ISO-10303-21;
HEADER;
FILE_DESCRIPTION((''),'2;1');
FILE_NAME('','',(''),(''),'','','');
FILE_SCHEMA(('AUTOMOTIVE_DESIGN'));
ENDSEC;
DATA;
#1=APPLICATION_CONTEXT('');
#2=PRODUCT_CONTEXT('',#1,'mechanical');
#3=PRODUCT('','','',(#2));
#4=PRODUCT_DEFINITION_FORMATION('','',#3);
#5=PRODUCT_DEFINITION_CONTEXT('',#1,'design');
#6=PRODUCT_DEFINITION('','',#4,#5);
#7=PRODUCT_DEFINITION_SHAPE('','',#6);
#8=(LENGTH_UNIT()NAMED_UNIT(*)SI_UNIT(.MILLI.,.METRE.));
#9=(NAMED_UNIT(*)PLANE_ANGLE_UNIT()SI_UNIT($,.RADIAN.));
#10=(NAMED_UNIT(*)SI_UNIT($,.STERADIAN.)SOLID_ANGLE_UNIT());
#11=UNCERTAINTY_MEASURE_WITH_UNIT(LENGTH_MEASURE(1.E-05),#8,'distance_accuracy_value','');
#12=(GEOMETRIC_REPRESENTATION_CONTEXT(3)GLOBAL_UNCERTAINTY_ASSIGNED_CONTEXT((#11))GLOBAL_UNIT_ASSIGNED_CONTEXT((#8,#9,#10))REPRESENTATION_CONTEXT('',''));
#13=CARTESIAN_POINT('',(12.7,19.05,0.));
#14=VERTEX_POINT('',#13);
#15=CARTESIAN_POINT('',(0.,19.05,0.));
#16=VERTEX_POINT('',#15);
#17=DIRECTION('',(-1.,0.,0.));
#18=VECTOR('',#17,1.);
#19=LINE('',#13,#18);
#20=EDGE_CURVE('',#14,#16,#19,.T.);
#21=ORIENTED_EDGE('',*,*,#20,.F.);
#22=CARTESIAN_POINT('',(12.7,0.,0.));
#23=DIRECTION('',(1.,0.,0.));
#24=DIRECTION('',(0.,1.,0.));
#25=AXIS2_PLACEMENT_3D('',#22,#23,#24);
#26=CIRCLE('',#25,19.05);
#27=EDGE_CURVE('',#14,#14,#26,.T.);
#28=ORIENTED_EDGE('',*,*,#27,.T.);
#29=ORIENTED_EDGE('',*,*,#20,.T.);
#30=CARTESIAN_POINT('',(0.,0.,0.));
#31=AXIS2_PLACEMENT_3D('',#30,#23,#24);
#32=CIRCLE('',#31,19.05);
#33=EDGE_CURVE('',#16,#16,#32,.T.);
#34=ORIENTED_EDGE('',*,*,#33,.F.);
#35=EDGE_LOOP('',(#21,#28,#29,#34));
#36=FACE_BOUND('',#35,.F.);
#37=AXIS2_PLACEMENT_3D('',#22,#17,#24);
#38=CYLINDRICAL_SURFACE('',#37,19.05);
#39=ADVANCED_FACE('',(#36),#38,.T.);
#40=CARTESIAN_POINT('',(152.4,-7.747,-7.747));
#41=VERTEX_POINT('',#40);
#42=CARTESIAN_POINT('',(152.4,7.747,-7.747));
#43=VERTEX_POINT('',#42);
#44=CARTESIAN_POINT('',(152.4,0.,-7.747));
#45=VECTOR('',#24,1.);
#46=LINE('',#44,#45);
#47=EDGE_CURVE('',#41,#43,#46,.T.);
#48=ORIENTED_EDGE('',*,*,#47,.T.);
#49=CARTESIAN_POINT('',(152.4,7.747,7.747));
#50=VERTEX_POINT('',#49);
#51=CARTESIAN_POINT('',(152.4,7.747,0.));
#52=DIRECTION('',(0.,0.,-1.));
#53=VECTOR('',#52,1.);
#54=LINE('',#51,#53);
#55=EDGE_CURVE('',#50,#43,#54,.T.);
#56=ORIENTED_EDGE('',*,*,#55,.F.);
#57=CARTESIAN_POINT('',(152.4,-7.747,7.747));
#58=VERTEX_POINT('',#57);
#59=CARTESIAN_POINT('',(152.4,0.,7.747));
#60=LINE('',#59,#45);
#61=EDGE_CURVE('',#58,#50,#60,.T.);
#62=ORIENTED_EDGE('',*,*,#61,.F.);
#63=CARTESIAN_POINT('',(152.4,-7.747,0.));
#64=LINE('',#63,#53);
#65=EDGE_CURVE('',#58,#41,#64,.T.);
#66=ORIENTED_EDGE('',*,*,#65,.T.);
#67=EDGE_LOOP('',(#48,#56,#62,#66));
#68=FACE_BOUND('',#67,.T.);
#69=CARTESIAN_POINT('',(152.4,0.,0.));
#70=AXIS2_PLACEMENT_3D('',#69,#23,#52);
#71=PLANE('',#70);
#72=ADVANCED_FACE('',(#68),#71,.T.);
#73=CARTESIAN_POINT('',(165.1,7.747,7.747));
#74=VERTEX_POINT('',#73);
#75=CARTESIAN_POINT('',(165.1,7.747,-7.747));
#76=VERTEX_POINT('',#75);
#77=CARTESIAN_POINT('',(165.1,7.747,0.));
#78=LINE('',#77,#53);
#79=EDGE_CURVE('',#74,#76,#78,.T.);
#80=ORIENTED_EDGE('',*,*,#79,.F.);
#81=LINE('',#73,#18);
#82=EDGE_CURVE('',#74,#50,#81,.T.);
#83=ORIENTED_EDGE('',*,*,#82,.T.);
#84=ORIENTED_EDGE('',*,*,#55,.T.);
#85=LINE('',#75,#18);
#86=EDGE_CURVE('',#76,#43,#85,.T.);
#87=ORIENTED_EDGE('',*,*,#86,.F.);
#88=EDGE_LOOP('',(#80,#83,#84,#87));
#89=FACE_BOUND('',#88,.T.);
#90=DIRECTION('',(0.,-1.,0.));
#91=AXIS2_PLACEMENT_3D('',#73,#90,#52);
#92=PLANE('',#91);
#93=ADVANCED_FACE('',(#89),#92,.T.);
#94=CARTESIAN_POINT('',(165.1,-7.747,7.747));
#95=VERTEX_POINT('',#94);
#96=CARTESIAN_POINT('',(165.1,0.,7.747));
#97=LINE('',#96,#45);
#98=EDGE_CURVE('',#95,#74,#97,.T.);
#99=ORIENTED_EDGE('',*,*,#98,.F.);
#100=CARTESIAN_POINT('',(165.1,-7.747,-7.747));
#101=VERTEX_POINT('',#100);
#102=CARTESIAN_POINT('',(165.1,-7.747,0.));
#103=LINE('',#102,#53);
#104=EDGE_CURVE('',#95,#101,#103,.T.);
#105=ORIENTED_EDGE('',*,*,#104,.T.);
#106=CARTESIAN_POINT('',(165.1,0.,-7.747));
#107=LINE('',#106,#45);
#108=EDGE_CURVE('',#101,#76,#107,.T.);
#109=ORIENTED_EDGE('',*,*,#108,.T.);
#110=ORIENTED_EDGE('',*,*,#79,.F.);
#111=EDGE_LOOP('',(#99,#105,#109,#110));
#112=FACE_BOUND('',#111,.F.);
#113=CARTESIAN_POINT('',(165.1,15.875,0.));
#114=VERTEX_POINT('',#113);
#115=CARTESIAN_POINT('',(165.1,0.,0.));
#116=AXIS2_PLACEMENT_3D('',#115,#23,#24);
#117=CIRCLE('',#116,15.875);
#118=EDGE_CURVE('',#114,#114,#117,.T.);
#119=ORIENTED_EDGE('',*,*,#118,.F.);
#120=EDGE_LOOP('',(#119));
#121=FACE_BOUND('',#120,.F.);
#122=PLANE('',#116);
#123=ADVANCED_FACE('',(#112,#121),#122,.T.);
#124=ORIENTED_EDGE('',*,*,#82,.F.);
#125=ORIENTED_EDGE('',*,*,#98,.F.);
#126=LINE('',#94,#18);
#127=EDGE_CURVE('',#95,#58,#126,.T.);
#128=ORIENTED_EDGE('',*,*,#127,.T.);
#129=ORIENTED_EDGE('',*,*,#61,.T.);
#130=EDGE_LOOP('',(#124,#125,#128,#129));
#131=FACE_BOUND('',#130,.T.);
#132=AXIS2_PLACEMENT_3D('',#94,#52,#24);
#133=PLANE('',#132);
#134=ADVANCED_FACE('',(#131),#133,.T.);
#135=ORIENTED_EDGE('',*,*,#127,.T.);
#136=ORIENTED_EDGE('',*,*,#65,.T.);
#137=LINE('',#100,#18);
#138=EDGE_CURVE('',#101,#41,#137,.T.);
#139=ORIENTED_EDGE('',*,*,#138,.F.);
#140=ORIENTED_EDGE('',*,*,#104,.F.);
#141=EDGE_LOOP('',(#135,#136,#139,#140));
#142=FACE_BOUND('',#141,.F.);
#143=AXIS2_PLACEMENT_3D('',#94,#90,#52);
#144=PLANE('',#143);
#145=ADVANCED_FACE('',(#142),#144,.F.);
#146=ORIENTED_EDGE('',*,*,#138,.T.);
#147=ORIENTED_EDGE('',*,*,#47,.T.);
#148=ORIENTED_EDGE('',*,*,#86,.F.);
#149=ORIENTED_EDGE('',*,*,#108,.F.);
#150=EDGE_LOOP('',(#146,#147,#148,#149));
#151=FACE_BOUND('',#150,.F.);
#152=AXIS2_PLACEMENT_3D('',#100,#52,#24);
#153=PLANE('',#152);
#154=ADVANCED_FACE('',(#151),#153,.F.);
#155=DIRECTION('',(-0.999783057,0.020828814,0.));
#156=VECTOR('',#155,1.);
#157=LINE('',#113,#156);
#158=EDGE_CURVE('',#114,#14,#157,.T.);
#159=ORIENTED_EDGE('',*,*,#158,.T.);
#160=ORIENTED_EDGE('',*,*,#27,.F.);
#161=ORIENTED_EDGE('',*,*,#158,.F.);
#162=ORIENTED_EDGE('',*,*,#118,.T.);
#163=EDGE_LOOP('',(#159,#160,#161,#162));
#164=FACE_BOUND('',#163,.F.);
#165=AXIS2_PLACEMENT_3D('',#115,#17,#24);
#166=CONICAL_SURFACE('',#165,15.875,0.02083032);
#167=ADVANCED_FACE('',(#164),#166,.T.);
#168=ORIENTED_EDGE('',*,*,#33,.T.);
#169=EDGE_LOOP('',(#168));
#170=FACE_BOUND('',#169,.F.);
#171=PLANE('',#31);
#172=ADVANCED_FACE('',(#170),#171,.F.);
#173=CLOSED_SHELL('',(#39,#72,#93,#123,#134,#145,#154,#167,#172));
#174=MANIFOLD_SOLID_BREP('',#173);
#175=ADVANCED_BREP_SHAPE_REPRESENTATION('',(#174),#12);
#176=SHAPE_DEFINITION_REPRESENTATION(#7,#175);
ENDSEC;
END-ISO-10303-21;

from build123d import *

# Parameters (mm, degrees)
SKETCH2_W          = 15.494
SKETCH2_H          = 15.494
CUT_EXTRUDE1_DEPTH = 12.7


with BuildPart() as part:
    # Sketch1 → Revolve1 (revolve)
    with BuildSketch(Plane.XY):
        Polygon((0, 0), (165.1, 0), (165.1, 15.875), (12.7, 19.05), (0, 19.05), align=None)
    revolve(axis=Axis((0, 0, 0), (1, 0, 0)))

    # Sketch2 → Cut-Extrude1 (cut)
    with BuildSketch(Plane(origin=(165.1, 0, 0), x_dir=(0, 0, -1), z_dir=(1, 0, 0))):
        Rectangle(SKETCH2_W, SKETCH2_H)
    extrude(amount=-CUT_EXTRUDE1_DEPTH, mode=Mode.SUBTRACT)


solid = part.part
